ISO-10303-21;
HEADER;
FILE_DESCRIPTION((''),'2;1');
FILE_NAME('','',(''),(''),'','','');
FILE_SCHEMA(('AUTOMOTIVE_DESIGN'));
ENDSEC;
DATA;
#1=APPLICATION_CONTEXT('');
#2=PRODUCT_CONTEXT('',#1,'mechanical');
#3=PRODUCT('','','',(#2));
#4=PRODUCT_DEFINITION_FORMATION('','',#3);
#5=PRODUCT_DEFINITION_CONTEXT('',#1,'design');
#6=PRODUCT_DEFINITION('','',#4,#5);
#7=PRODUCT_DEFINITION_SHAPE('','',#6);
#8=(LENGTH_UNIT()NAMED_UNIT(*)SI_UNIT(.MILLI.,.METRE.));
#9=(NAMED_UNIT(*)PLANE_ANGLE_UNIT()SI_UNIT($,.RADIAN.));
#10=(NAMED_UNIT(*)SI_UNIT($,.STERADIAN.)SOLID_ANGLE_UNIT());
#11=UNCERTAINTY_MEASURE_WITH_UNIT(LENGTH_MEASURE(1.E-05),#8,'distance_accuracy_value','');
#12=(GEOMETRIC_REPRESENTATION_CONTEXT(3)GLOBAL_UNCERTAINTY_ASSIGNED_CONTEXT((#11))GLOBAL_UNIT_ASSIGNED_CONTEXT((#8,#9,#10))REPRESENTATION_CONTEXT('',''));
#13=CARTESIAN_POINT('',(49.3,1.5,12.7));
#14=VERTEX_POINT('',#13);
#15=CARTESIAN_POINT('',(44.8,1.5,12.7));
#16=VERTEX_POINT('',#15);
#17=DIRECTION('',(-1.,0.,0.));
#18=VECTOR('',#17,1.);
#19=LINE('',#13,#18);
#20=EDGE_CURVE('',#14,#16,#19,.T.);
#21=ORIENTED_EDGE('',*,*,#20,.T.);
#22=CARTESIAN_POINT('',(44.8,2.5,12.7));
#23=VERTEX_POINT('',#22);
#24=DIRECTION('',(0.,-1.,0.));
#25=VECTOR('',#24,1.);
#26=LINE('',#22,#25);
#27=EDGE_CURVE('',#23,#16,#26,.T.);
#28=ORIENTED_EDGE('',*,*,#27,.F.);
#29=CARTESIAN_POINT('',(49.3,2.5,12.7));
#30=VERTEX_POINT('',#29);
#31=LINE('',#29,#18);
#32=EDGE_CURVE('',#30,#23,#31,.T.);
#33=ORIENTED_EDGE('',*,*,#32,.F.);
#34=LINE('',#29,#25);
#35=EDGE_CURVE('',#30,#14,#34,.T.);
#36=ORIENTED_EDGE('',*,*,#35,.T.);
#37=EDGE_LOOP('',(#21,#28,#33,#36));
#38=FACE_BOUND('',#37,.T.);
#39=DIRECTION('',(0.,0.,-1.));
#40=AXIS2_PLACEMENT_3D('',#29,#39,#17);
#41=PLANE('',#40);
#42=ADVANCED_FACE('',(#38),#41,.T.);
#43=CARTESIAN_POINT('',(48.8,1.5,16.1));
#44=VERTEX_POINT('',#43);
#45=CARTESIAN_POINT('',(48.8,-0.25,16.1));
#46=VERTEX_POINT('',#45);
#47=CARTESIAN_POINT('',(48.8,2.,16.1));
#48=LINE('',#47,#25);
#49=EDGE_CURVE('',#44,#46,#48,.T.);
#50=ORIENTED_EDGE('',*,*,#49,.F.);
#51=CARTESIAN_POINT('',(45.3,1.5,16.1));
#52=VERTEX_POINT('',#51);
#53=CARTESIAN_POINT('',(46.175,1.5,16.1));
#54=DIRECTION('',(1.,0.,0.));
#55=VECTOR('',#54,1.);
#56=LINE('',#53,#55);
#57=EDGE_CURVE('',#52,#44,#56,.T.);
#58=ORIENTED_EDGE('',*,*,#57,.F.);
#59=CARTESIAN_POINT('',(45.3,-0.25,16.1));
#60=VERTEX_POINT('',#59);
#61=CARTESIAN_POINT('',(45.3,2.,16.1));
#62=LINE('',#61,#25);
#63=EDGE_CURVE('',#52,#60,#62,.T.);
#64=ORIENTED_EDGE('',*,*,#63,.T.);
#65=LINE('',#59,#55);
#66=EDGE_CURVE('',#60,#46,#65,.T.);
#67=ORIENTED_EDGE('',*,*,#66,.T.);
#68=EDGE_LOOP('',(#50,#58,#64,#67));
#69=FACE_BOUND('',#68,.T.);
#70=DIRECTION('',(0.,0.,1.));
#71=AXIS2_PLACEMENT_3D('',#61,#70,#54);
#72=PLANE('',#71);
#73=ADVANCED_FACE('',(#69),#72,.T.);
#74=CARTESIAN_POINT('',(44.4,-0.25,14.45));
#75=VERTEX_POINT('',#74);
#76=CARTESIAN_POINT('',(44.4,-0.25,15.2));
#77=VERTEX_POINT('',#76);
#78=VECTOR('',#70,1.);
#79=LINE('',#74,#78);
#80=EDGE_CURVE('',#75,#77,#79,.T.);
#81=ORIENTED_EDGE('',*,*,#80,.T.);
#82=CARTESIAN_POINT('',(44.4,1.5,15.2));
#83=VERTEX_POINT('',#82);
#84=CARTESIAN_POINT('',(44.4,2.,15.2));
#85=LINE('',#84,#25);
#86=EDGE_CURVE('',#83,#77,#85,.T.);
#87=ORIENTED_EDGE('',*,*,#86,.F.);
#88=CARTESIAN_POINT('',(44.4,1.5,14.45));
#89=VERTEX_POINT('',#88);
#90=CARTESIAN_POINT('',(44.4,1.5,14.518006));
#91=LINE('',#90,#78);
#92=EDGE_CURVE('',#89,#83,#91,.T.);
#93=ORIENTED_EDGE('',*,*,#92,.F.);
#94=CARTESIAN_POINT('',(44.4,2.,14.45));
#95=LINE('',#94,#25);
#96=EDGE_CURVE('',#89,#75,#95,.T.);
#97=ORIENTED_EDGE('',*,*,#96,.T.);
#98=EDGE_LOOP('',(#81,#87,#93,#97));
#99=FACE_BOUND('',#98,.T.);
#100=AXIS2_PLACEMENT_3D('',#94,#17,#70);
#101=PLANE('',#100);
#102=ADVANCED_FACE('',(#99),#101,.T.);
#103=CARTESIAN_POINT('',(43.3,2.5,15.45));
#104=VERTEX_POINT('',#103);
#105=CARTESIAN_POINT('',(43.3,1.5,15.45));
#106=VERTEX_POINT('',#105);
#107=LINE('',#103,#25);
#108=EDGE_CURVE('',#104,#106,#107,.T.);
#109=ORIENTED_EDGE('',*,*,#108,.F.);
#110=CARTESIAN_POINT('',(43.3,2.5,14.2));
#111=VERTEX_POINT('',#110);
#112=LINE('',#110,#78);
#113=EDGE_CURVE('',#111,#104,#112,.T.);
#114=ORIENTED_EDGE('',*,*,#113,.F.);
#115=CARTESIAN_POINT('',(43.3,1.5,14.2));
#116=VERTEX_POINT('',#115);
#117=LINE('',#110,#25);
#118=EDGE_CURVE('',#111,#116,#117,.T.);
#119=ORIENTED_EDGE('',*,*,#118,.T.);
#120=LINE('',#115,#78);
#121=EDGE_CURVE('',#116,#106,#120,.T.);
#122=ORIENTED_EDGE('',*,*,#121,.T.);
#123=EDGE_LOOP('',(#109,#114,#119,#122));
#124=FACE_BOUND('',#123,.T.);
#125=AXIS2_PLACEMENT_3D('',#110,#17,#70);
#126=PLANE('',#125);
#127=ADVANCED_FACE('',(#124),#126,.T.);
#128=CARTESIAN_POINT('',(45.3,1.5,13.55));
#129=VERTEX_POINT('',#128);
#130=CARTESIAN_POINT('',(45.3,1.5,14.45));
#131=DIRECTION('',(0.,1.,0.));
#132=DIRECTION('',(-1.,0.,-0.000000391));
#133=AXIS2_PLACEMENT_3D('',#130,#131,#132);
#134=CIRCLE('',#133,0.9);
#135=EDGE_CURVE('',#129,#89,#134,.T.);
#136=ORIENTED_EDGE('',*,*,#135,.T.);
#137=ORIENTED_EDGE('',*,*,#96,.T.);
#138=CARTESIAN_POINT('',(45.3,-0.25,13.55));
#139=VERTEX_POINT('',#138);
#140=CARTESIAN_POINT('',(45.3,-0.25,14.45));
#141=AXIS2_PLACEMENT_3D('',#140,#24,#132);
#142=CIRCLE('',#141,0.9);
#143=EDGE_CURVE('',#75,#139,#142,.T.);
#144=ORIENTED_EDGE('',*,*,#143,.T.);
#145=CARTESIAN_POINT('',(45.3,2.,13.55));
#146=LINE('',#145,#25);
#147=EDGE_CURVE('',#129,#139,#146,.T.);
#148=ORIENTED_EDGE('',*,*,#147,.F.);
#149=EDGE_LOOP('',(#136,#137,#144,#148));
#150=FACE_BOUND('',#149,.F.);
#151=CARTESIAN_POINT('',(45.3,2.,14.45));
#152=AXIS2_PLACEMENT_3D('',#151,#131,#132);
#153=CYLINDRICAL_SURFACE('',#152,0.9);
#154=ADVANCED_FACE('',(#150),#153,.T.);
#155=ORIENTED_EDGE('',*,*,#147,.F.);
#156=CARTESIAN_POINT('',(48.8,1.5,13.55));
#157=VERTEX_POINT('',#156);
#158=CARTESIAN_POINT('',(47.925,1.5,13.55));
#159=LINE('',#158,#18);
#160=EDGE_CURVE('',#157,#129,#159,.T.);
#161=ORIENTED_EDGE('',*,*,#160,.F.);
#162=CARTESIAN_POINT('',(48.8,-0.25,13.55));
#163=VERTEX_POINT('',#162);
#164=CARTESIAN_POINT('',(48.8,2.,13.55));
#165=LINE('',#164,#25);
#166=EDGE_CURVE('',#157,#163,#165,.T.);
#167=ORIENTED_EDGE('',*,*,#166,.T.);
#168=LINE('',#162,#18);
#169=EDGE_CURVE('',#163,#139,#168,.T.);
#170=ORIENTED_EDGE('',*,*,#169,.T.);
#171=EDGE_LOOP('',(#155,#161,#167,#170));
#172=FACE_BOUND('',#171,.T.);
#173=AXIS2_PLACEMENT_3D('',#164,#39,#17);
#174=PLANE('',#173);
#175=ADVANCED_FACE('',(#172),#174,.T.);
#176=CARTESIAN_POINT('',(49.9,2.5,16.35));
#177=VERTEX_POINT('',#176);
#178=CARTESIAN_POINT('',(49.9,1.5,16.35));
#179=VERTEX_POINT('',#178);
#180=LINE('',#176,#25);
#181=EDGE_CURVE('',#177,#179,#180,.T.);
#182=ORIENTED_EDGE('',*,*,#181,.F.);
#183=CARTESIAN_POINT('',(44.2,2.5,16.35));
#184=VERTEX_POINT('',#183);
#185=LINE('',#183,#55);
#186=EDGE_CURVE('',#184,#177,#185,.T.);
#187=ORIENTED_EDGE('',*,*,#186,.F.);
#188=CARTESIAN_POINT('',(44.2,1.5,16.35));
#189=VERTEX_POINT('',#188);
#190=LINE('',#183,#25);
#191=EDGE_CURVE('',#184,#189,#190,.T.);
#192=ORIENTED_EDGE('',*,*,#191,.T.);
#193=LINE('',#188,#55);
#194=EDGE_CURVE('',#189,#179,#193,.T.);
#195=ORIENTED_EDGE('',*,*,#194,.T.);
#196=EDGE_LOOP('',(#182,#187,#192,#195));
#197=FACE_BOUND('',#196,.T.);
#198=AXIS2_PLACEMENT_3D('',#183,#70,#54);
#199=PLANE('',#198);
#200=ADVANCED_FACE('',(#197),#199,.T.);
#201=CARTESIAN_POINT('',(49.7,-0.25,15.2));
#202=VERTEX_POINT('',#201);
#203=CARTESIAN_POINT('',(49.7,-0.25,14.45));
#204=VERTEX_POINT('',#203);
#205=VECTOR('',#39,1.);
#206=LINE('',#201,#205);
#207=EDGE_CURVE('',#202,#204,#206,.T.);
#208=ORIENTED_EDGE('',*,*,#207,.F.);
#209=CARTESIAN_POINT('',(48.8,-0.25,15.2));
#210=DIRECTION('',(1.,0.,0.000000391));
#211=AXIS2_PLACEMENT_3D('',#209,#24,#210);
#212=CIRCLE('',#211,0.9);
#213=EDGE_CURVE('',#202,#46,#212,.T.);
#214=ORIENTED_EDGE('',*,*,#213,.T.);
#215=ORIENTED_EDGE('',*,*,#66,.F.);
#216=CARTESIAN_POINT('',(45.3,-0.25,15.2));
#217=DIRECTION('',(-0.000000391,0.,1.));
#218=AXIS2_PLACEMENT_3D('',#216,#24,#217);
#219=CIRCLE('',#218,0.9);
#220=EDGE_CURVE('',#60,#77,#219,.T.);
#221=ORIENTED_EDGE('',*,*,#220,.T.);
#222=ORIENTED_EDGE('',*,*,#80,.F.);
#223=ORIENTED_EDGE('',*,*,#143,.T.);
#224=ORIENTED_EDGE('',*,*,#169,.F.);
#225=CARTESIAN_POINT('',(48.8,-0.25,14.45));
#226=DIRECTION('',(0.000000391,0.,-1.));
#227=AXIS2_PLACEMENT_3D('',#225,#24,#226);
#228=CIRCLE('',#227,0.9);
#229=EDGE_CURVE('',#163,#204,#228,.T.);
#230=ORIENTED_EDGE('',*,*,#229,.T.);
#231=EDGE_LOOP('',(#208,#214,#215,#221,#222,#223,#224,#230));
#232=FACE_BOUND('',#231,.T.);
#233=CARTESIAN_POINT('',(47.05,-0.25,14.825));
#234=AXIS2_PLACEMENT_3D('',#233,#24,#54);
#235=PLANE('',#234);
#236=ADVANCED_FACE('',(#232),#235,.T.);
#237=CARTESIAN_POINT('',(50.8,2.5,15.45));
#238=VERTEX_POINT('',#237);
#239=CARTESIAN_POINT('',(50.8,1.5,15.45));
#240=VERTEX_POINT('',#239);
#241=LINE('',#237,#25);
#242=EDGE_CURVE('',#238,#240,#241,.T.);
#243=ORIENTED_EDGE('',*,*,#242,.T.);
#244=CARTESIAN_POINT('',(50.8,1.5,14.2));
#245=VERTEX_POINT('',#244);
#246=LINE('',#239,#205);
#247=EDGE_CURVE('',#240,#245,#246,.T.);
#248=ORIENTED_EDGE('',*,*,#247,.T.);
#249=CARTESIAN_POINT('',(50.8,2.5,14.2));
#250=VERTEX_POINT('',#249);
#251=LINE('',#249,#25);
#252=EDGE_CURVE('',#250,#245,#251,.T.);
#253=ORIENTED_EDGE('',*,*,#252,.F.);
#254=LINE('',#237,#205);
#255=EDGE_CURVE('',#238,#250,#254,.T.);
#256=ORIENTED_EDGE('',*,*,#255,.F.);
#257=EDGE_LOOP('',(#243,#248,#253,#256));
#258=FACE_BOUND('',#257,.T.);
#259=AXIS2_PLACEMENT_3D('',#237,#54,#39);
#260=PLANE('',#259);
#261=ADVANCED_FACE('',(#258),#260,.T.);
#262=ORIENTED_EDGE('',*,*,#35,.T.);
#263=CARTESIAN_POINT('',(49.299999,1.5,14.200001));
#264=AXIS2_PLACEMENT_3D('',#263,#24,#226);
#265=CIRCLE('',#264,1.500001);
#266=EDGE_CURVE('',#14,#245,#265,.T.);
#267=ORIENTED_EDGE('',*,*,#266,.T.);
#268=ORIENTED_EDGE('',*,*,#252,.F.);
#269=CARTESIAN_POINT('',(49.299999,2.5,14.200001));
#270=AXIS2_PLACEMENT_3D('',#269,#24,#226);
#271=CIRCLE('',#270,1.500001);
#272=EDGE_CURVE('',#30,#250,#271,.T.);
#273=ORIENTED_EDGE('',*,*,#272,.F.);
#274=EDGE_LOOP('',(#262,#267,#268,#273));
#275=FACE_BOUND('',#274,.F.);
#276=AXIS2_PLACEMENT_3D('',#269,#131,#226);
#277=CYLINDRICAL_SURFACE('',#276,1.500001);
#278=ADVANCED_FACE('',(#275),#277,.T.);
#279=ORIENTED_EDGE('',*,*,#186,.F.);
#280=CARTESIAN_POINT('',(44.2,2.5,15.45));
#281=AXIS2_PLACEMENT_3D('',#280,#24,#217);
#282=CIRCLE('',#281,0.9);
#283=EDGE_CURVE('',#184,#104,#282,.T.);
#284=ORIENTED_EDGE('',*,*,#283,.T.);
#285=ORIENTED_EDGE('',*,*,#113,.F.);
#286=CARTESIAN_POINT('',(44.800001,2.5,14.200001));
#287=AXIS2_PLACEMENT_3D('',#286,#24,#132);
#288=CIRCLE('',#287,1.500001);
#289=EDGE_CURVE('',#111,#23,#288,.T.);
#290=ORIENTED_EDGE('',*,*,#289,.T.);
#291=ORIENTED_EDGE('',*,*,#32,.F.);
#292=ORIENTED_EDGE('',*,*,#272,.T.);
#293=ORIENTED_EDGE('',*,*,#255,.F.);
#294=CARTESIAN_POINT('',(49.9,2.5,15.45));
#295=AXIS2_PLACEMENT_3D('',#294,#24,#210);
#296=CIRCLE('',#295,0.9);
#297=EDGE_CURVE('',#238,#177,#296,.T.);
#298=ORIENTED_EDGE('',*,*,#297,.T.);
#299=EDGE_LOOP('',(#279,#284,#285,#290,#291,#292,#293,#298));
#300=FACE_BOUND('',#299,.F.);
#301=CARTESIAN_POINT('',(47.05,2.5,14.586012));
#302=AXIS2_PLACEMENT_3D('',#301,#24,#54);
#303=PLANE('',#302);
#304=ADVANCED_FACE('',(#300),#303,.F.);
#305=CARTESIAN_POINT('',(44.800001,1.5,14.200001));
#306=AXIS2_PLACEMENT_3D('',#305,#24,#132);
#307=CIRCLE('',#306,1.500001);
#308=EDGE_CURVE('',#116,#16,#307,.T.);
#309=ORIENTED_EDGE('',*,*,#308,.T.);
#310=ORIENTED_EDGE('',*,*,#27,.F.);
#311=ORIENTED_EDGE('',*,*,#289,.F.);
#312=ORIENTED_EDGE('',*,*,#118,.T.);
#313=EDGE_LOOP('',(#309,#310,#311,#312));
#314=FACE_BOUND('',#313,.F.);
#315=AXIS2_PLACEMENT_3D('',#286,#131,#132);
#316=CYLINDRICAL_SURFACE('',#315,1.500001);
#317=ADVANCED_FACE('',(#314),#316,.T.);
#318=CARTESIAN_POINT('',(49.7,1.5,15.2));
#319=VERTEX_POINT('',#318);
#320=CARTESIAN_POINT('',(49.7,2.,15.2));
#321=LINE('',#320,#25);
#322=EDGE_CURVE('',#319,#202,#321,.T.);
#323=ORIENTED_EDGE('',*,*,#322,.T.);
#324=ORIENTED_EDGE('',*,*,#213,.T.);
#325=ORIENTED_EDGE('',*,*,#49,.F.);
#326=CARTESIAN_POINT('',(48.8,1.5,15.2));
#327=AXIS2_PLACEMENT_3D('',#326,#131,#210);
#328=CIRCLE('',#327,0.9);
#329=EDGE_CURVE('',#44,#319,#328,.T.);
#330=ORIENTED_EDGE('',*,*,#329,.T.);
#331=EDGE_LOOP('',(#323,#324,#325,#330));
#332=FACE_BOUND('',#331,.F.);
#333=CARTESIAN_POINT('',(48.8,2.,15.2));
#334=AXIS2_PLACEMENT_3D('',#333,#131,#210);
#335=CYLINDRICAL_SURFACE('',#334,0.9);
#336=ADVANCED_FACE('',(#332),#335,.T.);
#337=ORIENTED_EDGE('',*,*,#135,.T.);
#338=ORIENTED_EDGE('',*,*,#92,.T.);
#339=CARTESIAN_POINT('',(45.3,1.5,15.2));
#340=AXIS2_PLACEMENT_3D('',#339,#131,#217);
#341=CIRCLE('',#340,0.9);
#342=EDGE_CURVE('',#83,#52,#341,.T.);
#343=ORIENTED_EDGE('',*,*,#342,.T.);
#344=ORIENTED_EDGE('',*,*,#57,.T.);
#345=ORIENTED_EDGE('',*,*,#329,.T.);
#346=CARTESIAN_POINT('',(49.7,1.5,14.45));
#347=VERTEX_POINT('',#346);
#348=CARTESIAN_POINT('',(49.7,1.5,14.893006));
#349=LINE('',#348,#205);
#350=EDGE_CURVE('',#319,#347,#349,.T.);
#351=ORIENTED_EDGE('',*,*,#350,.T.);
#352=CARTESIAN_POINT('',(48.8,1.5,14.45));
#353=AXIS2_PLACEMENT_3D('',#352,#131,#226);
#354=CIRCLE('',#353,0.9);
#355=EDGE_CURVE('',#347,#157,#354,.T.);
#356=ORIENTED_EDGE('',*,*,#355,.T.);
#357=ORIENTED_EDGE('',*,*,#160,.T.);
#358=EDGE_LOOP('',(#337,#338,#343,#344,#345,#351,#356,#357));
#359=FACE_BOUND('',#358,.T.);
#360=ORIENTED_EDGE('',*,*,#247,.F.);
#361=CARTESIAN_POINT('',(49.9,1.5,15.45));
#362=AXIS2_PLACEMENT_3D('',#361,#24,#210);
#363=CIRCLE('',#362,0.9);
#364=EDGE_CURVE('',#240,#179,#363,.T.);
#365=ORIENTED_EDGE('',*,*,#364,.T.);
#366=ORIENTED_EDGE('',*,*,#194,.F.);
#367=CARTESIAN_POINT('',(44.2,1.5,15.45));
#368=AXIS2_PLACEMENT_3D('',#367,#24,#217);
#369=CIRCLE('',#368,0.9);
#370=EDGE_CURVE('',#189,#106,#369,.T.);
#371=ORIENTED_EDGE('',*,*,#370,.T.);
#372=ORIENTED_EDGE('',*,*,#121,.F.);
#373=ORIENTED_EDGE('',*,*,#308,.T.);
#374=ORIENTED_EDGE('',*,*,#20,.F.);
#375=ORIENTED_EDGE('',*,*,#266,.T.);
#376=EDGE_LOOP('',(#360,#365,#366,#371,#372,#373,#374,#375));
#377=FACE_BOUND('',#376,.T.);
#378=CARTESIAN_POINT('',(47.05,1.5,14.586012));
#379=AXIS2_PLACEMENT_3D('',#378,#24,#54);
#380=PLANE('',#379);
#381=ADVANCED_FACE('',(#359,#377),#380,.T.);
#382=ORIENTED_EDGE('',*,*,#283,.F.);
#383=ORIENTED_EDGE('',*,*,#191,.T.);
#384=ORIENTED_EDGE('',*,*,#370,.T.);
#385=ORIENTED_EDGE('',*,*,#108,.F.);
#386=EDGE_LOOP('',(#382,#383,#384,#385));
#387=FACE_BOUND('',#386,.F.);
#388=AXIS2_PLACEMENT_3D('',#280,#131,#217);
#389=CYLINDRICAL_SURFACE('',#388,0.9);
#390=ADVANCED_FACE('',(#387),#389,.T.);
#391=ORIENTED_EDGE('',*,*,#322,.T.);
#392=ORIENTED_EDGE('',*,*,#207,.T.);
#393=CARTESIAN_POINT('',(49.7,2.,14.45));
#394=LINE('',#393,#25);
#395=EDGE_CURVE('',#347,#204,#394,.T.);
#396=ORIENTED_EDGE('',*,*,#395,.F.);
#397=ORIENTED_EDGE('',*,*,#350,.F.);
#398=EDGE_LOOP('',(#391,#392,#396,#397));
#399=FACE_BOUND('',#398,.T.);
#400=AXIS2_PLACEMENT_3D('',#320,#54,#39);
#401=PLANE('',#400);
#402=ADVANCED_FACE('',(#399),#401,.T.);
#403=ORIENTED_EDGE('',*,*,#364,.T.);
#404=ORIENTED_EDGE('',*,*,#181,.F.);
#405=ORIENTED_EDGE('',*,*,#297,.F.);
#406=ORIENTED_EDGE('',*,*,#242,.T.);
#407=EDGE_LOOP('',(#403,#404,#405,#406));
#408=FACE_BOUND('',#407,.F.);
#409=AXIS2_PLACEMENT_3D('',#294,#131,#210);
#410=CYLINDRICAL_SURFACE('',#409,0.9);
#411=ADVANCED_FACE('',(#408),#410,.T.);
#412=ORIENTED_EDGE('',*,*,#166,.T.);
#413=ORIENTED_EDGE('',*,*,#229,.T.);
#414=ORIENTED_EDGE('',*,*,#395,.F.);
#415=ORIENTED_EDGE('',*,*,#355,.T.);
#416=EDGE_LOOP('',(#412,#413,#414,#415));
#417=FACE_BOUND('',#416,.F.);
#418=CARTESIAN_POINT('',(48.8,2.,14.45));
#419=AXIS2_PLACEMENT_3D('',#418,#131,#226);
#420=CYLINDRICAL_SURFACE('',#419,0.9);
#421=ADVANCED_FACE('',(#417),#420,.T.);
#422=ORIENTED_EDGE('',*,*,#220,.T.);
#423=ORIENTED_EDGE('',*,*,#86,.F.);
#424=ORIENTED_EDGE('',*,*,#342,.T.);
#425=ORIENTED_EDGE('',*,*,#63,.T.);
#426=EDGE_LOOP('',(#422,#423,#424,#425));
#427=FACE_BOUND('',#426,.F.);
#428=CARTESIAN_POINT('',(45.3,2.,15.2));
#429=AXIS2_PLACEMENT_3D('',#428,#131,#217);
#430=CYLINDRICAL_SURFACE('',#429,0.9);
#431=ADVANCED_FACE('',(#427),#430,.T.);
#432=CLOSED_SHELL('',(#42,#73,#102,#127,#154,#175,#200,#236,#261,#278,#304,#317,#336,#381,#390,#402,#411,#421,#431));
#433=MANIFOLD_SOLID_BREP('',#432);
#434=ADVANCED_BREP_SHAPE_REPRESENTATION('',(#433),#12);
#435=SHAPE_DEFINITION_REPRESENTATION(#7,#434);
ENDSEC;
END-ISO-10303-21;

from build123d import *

# Parameters (mm, degrees)
EXTRUDE017_DEPTH = 1
EXTRUDE016_DEPTH = 2.25


with BuildPart() as extrude017:
    # Sketch017 → Extrude017 (new body)
    with BuildSketch(Plane.XZ):
        with BuildLine():
            ThreePointArc((11.7, 16.35), (11.063604, 16.086396), (10.8, 15.45))
            Line((10.8, 14.2), (10.8, 15.45))
            ThreePointArc((10.8, 14.2), (11.23934, 13.13934), (12.3, 12.7))
            Line((16.8, 12.7), (12.3, 12.7))
            ThreePointArc((16.8, 12.7), (17.86066, 13.13934), (18.3, 14.2))
            Line((18.3, 15.45), (18.3, 14.2))
            ThreePointArc((18.3, 15.45), (18.036396, 16.086396), (17.4, 16.35))
            Line((11.7, 16.35), (17.4, 16.35))
        make_face()
    extrude(amount=EXTRUDE017_DEPTH)


with BuildPart() as extrude017_1:
    # Extrude017 placement: moved
    add(extrude017.part.moved(Location((0, 2.5, 0))))


with BuildPart() as button002:
    # Sketch016 → Extrude016 (new body)
    with BuildSketch(Plane.XZ):
        with BuildLine():
            ThreePointArc((12.8, 16.1), (12.163604, 15.836396), (11.9, 15.2))
            Line((11.9, 14.45), (11.9, 15.2))
            ThreePointArc((11.9, 14.45), (12.163604, 13.813604), (12.8, 13.55))
            Line((16.3, 13.55), (12.8, 13.55))
            ThreePointArc((16.3, 13.55), (16.936396, 13.813604), (17.2, 14.45))
            Line((17.2, 15.2), (17.2, 14.45))
            ThreePointArc((17.2, 15.2), (16.936396, 15.836396), (16.3, 16.1))
            Line((12.8, 16.1), (16.3, 16.1))
        make_face()
    extrude(amount=EXTRUDE016_DEPTH)


with BuildPart() as button002_1:
    # Extrude016 placement: moved
    add(button002.part.moved(Location((0, 2, 0))))

    # Fusion021: union Extrude017
    add(extrude017_1.part)


with BuildPart() as button002_2:
    # Fusion021 placement: moved
    add(button002_1.part.moved(Location((32.5, 0, 0))))


solid = button002_2.part
